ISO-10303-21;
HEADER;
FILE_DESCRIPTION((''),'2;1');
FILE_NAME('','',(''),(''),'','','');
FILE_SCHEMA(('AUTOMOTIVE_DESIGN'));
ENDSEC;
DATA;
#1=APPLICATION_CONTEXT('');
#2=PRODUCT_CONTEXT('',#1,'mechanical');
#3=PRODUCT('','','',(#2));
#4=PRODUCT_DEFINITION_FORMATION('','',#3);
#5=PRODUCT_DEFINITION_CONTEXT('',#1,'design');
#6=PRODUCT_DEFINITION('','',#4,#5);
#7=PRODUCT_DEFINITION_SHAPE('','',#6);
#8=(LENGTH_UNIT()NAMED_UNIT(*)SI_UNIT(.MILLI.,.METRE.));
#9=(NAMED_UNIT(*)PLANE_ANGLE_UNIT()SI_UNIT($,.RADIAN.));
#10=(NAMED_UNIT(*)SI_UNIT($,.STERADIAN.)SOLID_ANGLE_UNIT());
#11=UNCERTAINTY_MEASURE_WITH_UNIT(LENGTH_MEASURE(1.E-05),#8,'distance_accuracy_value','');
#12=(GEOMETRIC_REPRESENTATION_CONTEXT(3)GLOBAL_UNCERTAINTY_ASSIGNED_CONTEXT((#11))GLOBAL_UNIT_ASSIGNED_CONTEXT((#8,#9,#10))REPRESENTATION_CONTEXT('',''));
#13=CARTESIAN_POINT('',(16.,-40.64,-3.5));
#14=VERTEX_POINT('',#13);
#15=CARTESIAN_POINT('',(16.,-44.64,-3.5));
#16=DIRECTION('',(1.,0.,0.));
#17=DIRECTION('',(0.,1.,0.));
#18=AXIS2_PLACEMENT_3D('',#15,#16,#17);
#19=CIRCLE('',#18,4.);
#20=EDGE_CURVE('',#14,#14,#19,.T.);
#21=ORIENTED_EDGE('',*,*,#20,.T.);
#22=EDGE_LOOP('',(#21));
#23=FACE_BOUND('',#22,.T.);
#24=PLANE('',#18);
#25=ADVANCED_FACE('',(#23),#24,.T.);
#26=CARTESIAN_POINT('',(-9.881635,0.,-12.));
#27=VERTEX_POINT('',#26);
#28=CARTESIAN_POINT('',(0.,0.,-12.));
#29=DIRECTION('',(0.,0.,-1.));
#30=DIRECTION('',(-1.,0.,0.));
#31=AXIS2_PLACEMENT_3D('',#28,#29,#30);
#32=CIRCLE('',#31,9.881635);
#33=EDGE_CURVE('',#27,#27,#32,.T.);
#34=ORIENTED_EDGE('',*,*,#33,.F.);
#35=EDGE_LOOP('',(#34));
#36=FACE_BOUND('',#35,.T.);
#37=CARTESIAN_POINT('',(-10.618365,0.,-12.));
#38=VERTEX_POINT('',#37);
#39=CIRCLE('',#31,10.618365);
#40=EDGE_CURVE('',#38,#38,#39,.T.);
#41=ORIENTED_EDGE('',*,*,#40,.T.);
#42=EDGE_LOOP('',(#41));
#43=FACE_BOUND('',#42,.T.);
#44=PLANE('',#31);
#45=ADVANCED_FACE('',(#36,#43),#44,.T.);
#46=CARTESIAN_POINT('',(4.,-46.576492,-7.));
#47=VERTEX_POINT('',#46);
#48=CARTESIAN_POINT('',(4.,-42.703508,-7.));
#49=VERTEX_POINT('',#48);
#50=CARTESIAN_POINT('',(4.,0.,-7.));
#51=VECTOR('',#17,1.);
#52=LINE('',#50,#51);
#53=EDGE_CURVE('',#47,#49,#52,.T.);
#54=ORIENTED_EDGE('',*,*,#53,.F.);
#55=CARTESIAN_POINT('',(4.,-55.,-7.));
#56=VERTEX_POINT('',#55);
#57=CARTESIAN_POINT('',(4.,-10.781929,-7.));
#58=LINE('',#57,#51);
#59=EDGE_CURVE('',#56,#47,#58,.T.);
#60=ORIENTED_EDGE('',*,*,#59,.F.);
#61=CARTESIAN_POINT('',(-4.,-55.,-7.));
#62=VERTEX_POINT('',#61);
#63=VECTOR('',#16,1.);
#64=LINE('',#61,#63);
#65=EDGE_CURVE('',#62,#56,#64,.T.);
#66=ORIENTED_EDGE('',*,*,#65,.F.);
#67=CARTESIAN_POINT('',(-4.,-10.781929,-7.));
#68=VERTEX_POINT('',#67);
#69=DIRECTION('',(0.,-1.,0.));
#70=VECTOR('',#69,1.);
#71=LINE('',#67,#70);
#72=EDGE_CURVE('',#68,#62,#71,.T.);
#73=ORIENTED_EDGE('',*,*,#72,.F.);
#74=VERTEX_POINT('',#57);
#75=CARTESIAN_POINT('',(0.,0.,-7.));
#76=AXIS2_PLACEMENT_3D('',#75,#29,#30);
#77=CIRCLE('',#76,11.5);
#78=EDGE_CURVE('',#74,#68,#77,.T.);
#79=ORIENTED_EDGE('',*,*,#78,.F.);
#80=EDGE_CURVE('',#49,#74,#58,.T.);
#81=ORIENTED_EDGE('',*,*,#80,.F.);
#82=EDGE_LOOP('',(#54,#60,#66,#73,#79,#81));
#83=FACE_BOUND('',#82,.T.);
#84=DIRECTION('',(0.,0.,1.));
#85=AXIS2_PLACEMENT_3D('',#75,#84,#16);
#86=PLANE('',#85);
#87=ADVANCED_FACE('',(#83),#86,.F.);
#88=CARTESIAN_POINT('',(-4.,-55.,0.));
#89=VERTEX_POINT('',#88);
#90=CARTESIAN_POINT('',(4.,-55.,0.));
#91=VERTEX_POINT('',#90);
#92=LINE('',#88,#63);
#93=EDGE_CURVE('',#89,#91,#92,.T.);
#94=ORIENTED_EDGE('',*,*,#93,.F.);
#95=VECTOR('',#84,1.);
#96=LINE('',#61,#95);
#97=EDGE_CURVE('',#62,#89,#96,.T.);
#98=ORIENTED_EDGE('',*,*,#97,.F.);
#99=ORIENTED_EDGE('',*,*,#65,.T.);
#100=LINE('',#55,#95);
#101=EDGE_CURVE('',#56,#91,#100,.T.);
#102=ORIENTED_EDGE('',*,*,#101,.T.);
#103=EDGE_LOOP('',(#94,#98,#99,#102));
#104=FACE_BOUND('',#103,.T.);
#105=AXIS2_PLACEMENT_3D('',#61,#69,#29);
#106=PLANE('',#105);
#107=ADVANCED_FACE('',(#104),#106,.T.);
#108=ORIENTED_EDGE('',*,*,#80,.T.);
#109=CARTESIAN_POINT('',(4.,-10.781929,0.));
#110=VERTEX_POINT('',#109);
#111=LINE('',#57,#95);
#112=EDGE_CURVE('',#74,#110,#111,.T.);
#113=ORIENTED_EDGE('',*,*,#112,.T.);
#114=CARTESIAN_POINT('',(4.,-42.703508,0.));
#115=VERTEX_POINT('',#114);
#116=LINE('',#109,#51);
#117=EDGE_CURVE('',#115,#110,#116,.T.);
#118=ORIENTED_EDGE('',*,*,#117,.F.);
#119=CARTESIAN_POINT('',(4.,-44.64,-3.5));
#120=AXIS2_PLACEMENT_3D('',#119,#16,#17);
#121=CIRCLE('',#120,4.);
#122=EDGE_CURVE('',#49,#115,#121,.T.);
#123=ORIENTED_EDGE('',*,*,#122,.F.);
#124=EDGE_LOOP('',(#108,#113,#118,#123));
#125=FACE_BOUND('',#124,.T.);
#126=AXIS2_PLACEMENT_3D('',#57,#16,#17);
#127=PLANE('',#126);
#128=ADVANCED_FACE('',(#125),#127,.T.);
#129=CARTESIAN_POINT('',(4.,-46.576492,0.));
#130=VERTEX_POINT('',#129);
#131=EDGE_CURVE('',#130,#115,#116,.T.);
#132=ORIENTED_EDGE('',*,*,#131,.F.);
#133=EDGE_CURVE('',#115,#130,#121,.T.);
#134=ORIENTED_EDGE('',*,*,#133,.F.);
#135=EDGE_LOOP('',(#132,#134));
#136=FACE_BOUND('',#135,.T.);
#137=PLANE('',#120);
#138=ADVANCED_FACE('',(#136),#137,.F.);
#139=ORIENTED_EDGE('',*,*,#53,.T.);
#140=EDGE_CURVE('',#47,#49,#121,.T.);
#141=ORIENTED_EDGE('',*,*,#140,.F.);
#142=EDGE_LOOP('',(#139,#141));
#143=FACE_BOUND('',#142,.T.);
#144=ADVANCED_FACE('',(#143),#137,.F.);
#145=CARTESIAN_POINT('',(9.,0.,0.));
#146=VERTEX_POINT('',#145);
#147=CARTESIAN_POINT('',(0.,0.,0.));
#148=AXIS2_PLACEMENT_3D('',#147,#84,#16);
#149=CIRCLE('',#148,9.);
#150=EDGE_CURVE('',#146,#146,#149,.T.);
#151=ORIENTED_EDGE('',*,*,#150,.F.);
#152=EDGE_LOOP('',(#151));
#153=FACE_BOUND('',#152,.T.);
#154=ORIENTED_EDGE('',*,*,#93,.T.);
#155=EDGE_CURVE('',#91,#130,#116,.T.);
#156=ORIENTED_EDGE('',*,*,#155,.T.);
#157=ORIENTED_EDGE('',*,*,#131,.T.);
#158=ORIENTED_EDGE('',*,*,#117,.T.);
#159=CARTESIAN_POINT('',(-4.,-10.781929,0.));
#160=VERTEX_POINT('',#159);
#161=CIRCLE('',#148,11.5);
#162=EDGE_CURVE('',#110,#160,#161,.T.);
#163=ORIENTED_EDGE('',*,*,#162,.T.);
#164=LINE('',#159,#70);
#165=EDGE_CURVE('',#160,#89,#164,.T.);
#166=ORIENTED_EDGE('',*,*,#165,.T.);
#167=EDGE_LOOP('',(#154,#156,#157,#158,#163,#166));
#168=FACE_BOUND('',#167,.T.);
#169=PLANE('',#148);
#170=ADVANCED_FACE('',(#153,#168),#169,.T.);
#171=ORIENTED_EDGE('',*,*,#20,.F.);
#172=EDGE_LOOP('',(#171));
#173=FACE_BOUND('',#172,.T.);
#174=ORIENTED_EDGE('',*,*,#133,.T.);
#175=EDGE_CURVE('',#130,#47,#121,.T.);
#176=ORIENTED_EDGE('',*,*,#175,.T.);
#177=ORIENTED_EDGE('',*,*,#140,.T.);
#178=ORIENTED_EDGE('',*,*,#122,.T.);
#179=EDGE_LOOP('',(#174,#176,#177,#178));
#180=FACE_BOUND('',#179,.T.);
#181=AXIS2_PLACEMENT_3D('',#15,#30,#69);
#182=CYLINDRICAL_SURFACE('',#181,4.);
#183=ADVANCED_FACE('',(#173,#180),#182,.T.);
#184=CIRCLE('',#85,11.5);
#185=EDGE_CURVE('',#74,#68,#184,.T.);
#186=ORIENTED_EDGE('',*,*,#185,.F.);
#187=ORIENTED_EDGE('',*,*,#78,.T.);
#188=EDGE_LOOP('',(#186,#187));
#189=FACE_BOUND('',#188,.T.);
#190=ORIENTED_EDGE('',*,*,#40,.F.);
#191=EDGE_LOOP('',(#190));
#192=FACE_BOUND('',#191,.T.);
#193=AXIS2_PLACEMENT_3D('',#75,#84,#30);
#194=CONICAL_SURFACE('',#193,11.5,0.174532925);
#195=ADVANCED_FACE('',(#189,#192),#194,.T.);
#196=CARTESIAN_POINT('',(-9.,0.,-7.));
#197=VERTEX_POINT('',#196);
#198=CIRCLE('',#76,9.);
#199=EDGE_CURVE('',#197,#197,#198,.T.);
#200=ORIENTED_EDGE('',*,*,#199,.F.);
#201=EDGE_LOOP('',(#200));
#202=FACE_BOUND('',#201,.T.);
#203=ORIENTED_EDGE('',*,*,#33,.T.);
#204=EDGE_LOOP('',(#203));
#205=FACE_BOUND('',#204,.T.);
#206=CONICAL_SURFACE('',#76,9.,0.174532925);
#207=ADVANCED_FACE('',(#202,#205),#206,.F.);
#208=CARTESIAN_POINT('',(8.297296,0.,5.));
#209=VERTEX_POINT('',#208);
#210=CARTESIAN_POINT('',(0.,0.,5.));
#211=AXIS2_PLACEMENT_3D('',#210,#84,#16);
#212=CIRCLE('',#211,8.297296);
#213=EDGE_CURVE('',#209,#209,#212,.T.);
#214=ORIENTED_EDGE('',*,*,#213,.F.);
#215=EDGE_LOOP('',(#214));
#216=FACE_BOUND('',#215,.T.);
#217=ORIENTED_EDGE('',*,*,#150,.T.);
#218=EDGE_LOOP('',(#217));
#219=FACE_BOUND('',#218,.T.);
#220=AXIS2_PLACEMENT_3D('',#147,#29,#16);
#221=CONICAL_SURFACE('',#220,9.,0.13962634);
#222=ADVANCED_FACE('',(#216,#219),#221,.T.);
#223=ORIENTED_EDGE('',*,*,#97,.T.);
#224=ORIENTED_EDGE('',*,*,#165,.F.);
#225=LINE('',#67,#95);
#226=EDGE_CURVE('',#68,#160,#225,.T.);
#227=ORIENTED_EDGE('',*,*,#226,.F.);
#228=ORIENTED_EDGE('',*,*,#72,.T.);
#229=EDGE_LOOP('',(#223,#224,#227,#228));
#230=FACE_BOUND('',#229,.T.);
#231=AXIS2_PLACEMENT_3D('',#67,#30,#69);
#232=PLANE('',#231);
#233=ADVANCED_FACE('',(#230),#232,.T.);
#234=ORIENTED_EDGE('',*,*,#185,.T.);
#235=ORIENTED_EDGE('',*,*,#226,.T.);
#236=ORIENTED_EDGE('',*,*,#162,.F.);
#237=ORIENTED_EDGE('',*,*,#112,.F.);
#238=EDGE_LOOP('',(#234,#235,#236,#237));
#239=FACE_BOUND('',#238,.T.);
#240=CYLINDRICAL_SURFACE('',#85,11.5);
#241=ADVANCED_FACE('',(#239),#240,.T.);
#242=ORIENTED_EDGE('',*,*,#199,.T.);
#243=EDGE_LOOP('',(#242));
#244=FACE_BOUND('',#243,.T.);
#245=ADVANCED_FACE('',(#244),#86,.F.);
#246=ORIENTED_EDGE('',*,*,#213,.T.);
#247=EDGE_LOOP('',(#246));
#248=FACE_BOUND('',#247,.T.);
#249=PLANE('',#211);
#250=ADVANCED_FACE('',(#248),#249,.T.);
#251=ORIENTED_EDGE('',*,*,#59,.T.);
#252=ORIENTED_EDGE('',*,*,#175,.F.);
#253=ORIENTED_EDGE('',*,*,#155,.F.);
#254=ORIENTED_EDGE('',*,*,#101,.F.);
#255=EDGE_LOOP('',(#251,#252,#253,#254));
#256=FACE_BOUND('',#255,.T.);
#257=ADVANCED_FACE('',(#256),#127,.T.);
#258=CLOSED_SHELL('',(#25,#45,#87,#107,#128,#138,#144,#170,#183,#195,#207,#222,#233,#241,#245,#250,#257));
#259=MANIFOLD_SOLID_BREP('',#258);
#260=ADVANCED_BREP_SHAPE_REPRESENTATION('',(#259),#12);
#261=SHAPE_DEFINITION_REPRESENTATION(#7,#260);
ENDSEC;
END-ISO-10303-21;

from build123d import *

# Parameters (mm, degrees)
BOSS_EXTRUDE1_DEPTH = 7
SKETCH2_R           = 9
BOSS_EXTRUDE2_DEPTH = 5
BOSS_EXTRUDE2_TAPER = 8
SKETCH4_R           = 11.5
BOSS_EXTRUDE3_DEPTH = 5
BOSS_EXTRUDE3_TAPER = 10
SKETCH5_R           = 4
BOSS_EXTRUDE4_DEPTH = 12
SKETCH6_R           = 9
CUT_EXTRUDE1_DEPTH  = 5
SKETCH7_R           = 9
CUT_EXTRUDE3_DEPTH  = 5
CUT_EXTRUDE3_DRAFT  = -10


with BuildPart() as part:
    # Sketch1 → Boss-Extrude1 (new body)
    with BuildSketch(Plane.XY):
        with BuildLine():
            Line((-4, -10.781929326), (-4, -55))
            Line((-4, -55), (4, -55))
            Line((4, -55), (4, -10.781929326))
            ThreePointArc((4, -10.781929326), (0, 11.5), (-4, -10.781929326))
        make_face()
    extrude(amount=-BOSS_EXTRUDE1_DEPTH)

    # Sketch2 → Boss-Extrude2 (add)
    with BuildSketch(Plane.XY):
        Circle(SKETCH2_R)
    extrude(amount=BOSS_EXTRUDE2_DEPTH, taper=BOSS_EXTRUDE2_TAPER)

    # Sketch4 → Boss-Extrude3 (add)
    with BuildSketch(Plane(origin=(0, 0, -7), x_dir=(-1, 0, 0), z_dir=(0, 0, -1))):
        Circle(SKETCH4_R)
    extrude(amount=BOSS_EXTRUDE3_DEPTH, taper=BOSS_EXTRUDE3_TAPER)

    # Sketch5 → Boss-Extrude4 (add)
    with BuildSketch(Plane(origin=(4, 0, 0), x_dir=(0, 0, -1), z_dir=(1, 0, 0))):
        with Locations(Location((3.5, -44.64, 0), (0, 0, 208.955024372))):
            Circle(SKETCH5_R)
    extrude(amount=BOSS_EXTRUDE4_DEPTH)

    # Sketch6 → Cut-Extrude1 (cut)
    with BuildSketch(Plane(origin=(0, 0, -12), x_dir=(-1, 0, 0), z_dir=(0, 0, -1))):
        Circle(SKETCH6_R)
    extrude(amount=-CUT_EXTRUDE1_DEPTH, mode=Mode.SUBTRACT)


with BuildPart() as cut_extrude3_tool:
    # Sketch7 → Cut-Extrude3 (with draft: the straight prism first)
    with BuildSketch(Plane(origin=(0, 0, -7), x_dir=(-1, 0, 0), z_dir=(0, 0, -1))):
        Circle(SKETCH7_R)
    extrude(amount=CUT_EXTRUDE3_DEPTH)
    # Cut-Extrude3: the draft: its side faces are tilted about the plane it starts from
    cut_extrude3_sides = [cut_extrude3_tool.faces().sort_by_distance(p)[0] for p in [
        (9, 0, -9.5),
    ]]
    draft(cut_extrude3_sides, Plane(origin=(0, 0, -7), x_dir=(-1, 0, 0), z_dir=(0, 0, -1)), CUT_EXTRUDE3_DRAFT)


with BuildPart() as part_1:
    add(part.part)

    # Cut-Extrude3: cut by cut_extrude3_tool
    add(cut_extrude3_tool.part, mode=Mode.SUBTRACT)


solid = part_1.part
